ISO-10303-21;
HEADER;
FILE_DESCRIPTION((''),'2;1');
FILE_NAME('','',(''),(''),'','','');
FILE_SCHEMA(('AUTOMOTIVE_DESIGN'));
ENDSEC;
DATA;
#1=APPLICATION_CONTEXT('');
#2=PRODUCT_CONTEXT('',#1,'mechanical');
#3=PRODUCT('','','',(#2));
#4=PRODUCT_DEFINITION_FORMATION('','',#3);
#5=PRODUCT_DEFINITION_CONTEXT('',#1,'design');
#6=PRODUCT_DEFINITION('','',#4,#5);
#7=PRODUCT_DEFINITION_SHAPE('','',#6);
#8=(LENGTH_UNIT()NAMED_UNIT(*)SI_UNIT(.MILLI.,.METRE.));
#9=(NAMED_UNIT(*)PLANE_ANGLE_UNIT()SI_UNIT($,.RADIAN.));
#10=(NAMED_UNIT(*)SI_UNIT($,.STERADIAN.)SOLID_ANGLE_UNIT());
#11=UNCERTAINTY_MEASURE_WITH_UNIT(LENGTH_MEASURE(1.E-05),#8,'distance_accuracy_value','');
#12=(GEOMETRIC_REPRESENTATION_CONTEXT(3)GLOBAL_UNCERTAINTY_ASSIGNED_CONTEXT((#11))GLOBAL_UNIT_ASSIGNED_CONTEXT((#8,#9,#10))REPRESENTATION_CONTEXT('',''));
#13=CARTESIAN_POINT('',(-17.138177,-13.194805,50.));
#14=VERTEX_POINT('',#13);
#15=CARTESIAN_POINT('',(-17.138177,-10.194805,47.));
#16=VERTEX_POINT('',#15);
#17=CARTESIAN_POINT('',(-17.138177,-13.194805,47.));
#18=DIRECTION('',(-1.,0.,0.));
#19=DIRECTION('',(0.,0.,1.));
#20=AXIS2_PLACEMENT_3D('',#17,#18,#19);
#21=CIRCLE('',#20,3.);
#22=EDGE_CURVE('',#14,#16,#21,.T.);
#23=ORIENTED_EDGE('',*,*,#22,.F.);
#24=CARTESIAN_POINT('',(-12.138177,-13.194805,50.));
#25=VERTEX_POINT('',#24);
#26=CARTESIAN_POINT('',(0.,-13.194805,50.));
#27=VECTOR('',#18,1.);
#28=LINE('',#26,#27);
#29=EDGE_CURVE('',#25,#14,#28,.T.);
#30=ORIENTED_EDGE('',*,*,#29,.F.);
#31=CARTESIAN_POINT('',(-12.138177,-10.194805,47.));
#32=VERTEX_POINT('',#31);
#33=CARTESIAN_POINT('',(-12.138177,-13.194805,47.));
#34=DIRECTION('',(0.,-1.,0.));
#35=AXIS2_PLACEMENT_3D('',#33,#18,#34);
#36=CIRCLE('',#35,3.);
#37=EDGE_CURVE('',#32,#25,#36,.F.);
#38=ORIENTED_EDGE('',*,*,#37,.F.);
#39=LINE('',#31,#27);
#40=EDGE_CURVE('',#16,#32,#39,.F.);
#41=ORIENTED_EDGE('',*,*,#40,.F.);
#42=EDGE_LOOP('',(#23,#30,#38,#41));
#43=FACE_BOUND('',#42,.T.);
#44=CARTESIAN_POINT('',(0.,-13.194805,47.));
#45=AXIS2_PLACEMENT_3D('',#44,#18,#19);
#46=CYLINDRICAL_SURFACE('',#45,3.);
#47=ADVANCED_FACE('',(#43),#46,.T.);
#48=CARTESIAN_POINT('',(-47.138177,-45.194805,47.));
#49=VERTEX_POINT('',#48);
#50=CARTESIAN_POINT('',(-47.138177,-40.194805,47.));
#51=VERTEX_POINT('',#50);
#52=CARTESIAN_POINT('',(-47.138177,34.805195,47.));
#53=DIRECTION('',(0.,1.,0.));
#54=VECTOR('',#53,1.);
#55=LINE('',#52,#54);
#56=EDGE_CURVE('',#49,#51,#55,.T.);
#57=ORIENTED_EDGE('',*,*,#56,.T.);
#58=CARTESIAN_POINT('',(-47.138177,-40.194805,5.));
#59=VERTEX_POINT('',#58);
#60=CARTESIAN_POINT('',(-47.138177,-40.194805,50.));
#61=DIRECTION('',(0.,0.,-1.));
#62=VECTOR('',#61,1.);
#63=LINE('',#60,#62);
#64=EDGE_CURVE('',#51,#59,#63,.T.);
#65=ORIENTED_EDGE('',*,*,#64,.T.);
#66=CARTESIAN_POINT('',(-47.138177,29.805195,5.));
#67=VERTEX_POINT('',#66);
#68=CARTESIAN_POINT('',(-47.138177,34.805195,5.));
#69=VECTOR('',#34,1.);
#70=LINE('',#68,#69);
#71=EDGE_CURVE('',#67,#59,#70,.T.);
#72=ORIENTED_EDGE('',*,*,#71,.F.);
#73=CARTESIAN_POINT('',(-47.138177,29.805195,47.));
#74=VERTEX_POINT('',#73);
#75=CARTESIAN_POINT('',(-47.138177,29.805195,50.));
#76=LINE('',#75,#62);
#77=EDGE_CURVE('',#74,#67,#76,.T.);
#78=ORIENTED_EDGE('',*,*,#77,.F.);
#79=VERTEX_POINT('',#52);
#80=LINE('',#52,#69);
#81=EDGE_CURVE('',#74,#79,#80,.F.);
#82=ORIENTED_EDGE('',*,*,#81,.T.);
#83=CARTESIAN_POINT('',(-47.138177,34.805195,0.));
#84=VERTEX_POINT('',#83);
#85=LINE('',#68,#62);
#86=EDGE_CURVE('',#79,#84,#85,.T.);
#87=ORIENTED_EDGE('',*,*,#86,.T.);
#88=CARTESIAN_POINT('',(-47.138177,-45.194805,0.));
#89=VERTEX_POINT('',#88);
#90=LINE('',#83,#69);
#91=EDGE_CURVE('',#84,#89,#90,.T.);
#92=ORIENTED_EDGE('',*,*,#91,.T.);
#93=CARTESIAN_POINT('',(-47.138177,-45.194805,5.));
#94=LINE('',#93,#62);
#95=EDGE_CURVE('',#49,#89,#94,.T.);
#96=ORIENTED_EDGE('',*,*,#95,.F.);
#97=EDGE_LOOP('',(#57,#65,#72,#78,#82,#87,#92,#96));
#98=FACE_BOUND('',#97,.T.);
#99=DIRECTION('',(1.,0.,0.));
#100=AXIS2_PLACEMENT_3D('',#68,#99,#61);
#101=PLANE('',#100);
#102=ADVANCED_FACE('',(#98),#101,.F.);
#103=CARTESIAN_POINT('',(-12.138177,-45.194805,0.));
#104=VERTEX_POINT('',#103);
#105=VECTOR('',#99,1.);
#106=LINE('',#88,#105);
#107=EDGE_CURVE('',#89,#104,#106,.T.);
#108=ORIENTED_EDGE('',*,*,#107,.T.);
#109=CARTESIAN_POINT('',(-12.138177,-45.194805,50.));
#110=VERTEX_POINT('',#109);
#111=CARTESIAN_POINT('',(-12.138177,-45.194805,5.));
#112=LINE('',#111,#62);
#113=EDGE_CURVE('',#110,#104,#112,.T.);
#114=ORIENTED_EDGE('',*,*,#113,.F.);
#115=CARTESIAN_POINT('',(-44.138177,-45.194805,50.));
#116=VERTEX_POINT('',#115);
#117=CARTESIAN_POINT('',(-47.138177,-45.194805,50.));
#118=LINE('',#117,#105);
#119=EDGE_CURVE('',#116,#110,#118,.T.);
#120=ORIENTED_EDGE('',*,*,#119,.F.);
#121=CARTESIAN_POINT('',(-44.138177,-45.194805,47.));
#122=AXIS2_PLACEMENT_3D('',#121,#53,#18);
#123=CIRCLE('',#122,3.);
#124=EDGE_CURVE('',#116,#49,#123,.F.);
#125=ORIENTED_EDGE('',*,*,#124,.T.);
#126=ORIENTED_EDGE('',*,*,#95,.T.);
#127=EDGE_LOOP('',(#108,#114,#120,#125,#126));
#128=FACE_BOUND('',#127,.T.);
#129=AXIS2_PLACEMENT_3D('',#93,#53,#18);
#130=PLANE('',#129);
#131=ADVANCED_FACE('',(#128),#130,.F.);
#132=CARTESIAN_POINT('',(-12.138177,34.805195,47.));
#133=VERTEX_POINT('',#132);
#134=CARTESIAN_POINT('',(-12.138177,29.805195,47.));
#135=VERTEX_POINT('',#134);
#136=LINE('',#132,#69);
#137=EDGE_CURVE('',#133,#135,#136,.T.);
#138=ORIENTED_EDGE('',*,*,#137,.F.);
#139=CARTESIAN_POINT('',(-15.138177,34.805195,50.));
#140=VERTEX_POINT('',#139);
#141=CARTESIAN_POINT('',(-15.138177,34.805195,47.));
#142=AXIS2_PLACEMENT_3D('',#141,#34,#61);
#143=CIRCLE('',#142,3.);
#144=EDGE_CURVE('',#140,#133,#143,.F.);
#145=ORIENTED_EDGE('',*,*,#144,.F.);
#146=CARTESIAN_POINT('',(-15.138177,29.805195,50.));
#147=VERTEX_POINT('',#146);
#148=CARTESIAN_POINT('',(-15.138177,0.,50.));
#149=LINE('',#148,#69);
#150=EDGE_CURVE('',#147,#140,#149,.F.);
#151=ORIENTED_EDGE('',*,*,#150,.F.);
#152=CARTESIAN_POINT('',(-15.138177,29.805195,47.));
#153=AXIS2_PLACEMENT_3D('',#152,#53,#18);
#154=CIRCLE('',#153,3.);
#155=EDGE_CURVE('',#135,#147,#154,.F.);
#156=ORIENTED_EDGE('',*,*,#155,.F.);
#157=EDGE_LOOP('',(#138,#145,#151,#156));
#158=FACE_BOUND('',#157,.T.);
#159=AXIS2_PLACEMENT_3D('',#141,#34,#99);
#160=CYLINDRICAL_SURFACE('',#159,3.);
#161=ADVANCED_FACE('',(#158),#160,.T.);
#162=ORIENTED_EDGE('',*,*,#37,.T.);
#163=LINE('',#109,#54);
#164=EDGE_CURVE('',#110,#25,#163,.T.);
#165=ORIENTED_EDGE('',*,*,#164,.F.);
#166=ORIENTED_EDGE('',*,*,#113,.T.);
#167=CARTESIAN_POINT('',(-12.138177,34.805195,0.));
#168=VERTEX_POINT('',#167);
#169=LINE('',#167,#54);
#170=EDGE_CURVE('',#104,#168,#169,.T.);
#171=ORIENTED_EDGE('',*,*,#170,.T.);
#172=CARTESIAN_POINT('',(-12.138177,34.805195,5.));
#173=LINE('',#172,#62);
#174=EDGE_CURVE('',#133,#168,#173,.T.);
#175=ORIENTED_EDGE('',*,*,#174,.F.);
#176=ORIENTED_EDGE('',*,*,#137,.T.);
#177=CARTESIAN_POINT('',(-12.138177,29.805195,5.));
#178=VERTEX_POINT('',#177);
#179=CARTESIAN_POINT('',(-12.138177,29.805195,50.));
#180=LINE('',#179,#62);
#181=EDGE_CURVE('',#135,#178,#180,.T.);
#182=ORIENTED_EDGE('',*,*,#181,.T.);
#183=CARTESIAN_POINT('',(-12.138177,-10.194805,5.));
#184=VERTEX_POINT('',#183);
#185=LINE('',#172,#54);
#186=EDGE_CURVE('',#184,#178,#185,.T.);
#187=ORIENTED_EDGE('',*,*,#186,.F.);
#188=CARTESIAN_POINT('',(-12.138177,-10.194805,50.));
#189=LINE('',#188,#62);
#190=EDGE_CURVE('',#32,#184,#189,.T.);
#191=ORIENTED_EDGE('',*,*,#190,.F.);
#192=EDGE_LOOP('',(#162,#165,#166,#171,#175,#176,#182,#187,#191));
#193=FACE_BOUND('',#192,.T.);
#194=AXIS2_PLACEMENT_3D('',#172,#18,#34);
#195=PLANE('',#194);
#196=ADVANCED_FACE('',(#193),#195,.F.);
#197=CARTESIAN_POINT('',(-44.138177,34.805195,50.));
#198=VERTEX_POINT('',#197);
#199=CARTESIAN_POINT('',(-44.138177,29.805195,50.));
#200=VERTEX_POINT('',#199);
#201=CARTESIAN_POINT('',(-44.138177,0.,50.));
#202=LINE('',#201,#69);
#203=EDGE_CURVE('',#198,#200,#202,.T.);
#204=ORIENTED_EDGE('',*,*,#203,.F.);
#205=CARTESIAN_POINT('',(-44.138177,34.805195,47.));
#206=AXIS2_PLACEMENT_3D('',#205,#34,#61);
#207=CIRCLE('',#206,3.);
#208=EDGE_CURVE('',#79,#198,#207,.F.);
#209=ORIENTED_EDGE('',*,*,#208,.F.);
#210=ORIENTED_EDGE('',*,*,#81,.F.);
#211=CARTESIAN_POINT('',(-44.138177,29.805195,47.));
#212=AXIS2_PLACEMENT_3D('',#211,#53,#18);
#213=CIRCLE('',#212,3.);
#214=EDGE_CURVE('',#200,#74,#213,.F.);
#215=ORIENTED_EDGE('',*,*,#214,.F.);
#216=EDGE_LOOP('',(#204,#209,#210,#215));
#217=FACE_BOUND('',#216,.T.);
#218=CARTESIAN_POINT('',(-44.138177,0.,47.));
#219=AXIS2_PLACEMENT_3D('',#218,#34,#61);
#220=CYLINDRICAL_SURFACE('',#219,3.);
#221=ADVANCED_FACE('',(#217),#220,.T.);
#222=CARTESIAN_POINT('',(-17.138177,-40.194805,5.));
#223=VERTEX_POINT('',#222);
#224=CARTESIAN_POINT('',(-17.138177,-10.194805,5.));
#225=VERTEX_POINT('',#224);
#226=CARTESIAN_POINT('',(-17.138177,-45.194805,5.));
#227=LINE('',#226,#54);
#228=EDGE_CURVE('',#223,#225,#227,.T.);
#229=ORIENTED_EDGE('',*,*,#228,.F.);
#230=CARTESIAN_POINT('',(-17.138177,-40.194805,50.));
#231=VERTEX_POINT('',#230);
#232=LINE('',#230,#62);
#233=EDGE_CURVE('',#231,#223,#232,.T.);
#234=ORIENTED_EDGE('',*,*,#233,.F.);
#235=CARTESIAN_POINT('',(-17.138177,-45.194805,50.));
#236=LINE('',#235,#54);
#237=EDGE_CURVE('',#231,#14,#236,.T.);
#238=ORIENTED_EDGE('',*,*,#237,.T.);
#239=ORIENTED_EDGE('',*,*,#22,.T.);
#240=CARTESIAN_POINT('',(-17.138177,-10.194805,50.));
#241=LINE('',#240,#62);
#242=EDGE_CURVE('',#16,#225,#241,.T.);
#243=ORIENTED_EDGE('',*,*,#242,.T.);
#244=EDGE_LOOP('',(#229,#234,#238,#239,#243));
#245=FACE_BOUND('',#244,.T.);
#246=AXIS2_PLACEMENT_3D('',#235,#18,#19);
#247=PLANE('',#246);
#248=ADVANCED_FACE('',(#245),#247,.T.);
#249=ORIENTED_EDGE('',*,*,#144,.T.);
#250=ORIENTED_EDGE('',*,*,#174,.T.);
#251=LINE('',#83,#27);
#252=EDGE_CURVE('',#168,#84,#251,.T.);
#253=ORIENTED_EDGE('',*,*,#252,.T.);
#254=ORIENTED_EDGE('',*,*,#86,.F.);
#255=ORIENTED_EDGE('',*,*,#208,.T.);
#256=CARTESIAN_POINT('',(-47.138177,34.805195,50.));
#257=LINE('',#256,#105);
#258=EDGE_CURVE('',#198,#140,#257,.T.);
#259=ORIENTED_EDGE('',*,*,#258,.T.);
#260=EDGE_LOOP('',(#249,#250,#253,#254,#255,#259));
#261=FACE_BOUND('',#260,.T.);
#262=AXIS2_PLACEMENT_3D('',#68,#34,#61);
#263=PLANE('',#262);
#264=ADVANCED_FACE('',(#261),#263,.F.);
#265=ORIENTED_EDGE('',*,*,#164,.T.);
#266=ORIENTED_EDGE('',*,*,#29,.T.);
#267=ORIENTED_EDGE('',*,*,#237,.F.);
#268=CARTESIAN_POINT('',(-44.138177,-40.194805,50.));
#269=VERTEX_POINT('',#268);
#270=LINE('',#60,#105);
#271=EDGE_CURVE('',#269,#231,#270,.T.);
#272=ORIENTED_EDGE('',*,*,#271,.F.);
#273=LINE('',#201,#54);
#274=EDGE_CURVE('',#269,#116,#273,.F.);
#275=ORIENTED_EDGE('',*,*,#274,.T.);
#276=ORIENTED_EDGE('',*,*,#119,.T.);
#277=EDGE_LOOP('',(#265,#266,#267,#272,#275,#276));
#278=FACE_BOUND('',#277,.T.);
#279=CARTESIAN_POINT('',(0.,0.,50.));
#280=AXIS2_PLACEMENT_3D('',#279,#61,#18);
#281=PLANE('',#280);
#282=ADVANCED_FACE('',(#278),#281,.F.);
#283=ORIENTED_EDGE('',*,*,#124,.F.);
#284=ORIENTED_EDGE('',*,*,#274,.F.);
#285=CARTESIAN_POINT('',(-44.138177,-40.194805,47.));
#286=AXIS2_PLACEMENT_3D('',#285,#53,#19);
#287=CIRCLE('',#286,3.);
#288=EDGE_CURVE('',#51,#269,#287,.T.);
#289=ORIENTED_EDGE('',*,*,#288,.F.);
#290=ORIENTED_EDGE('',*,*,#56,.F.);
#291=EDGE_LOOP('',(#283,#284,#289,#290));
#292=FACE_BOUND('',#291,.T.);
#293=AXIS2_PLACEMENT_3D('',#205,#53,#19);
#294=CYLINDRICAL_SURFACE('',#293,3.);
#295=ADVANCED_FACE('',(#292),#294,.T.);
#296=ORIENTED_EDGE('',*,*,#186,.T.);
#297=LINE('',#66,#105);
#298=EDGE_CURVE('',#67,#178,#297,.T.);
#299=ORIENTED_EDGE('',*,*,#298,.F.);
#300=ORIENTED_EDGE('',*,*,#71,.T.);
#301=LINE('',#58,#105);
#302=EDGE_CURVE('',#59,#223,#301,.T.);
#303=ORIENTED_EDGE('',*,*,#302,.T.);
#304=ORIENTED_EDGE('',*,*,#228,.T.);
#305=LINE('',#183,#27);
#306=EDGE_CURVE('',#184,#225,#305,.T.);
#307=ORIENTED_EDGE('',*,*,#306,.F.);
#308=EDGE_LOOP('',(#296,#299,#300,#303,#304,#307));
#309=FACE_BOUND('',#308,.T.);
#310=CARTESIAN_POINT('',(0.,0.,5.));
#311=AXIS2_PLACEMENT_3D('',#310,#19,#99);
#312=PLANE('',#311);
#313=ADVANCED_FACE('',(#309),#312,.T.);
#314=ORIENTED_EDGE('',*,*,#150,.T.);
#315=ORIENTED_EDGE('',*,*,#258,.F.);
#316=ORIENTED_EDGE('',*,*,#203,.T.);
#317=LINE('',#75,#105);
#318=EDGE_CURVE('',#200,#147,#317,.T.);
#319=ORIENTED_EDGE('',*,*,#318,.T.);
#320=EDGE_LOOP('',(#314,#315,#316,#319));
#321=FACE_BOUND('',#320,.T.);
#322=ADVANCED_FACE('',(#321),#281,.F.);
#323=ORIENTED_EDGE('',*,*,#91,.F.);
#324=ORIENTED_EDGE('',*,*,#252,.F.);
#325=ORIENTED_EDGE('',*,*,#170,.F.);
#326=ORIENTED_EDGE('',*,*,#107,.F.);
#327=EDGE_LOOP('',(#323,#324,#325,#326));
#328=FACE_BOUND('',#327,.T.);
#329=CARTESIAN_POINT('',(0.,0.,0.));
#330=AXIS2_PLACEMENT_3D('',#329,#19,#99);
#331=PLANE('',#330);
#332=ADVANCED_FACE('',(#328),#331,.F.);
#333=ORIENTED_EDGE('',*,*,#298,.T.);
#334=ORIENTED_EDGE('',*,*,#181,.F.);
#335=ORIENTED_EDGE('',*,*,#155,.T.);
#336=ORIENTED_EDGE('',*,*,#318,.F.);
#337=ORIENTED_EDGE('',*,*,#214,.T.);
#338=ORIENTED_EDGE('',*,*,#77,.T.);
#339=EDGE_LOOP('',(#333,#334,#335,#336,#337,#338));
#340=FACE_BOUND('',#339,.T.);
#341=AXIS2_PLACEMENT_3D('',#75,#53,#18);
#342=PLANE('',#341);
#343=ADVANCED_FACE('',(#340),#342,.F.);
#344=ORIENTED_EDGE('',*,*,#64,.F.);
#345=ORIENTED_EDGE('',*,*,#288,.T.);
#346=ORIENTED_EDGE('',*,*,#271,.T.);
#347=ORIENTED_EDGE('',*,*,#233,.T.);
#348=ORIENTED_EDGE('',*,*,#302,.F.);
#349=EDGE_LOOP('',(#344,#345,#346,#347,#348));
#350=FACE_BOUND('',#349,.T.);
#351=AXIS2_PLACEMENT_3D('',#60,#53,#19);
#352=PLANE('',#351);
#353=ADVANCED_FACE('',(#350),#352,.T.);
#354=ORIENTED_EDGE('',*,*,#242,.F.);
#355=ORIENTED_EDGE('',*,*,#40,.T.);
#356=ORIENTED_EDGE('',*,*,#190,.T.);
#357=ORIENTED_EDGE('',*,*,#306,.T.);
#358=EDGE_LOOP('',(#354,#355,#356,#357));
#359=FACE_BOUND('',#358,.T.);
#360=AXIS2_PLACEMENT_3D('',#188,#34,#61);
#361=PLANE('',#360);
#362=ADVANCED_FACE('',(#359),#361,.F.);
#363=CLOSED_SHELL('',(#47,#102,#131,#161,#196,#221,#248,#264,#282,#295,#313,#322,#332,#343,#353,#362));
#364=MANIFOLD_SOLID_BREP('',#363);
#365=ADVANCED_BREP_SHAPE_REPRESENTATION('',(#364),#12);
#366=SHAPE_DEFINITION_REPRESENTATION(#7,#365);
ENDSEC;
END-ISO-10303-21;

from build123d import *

# Parameters (mm, degrees)
SKETCH_1_W      = 35
SKETCH_1_H      = 80
EXTRUDE_1_DEPTH = 5
SKETCH_2_W      = 35
SKETCH_2_H      = 5
SKETCH_2_W_2    = 30
SKETCH_2_W_3    = 5
SKETCH_2_H_2    = 30
EXTRUDE_2_DEPTH = 45
FILLET_2_R      = 3


with BuildPart() as part:
    # 草圖1 → 填料-伸長1 (new body)
    with BuildSketch(Plane.XY):
        with Locations((-29.638177138, -5.194805195)):
            Rectangle(SKETCH_1_W, SKETCH_1_H)
    extrude(amount=EXTRUDE_1_DEPTH)

    # 草圖2 → 填料-伸長2 (add)
    with BuildSketch(Plane.XY.offset(5)):
        with Locations((-29.638177138, 32.305194805)):
            Rectangle(SKETCH_2_W, SKETCH_2_H)
        with Locations((-32.138177138, -42.694805195)):
            Rectangle(SKETCH_2_W_2, SKETCH_2_H)
        with Locations((-14.638177138, -42.694805195)):
            Rectangle(SKETCH_2_W_3, SKETCH_2_H)
        with Locations((-14.638177138, -25.194805195)):
            Rectangle(SKETCH_2_W_3, SKETCH_2_H_2)
    extrude(amount=EXTRUDE_2_DEPTH)

    # 圓角2
    fillet_2_edges = [part.edges().sort_by_distance(p)[0] for p in [
        (-47.138177138, -42.694805195, 50),
        (-14.638177138, -10.194805195, 50),
        (-47.138177138, 32.305194805, 50),
        (-12.138177138, 32.305194805, 50),
    ]]
    fillet(fillet_2_edges, radius=FILLET_2_R)


solid = part.part
